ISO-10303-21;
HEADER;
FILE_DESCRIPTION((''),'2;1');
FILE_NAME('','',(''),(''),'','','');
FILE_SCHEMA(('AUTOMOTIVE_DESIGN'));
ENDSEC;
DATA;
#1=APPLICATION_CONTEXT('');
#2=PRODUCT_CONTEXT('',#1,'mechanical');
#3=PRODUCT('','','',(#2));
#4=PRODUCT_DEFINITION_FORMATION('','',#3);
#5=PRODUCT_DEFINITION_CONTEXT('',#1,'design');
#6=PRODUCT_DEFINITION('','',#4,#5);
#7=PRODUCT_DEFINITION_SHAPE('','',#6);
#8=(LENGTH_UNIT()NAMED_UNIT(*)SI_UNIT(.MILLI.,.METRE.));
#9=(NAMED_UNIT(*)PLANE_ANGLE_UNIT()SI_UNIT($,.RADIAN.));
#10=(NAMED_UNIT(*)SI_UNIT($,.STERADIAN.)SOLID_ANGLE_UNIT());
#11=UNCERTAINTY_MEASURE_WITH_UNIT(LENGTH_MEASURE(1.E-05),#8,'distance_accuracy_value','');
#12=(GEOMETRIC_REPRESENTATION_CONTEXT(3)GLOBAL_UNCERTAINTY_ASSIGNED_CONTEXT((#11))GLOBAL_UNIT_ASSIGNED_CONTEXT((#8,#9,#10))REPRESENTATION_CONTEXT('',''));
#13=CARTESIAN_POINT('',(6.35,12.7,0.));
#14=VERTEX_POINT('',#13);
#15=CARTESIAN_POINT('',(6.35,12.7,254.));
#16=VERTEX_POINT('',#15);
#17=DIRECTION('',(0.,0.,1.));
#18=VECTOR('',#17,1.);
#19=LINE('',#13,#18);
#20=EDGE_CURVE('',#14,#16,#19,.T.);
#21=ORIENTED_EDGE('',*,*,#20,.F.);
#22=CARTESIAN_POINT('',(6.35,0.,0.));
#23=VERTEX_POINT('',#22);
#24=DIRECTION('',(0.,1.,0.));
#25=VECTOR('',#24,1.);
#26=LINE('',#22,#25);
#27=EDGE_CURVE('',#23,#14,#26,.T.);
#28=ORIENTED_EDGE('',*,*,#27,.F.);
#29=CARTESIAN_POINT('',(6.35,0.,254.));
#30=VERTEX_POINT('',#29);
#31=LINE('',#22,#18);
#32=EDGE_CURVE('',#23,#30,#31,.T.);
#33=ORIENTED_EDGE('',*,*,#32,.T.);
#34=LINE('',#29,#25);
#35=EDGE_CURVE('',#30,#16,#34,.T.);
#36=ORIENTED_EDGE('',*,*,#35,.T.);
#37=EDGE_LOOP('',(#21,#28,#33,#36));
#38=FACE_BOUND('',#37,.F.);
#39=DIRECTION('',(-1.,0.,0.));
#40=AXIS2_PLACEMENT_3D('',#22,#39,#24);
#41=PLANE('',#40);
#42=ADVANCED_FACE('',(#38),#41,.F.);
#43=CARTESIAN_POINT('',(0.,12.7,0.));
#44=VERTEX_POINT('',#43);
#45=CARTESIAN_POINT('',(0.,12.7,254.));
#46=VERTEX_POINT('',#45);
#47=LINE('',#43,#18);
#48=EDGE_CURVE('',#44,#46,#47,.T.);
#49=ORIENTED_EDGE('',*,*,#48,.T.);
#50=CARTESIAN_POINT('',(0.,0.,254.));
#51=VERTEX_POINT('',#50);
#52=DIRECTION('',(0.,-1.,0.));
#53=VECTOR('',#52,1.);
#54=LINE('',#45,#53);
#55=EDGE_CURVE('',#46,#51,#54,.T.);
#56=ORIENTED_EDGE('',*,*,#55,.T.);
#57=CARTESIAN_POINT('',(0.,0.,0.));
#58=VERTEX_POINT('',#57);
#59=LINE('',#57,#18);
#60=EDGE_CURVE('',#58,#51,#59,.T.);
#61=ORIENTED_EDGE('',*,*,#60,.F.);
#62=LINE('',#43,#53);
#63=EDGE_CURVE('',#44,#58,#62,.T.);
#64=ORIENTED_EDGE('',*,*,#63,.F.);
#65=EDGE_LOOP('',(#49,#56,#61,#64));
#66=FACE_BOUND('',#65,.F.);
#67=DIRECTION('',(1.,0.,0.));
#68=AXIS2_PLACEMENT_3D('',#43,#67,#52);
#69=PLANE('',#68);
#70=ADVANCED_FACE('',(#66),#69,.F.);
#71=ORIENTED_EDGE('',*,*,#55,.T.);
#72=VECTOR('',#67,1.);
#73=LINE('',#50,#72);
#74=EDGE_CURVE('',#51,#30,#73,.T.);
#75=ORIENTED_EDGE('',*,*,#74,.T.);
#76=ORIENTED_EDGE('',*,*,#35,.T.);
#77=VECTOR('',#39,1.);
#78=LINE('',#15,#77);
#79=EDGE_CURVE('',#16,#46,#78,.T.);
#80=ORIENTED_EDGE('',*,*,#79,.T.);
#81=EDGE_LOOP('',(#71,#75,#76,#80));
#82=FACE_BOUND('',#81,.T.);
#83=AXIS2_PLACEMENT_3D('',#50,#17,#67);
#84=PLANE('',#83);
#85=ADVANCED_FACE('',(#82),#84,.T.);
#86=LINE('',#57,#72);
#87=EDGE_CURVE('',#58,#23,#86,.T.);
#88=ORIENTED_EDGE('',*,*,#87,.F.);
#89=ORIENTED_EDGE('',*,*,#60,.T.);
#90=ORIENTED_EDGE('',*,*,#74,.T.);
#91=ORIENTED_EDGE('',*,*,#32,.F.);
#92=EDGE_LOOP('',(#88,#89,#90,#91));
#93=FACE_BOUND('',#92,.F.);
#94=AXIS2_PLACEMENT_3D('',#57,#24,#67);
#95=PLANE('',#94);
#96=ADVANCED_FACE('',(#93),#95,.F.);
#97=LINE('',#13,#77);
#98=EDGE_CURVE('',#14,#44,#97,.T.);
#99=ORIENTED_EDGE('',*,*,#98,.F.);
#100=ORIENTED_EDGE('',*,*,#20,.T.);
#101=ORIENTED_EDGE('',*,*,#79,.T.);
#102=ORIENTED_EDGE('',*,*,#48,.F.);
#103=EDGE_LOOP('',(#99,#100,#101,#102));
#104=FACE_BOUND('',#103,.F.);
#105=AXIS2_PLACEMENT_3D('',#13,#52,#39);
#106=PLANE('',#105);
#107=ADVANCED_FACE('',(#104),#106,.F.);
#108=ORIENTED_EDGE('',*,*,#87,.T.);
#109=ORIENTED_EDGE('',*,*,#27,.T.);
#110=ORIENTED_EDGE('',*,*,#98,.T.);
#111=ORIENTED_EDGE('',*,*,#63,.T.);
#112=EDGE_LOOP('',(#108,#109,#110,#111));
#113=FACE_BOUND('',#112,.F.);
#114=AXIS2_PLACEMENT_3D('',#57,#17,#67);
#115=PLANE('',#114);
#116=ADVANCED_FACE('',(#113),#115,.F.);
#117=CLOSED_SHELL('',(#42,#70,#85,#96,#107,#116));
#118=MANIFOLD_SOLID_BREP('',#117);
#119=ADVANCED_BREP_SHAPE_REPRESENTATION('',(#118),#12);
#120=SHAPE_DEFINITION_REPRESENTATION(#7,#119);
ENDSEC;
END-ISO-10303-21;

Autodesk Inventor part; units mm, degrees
ref_plane "YZ Plane" through (0, 0, 0) normal (1, 0, 0) x (0, 1, 0)
ref_plane "XZ Plane" through (0, 0, 0) normal (0, 1, 0) x (-1, 0, 0)
ref_plane "XY Plane" through (0, 0, 0) normal (0, 0, 1) x (1, 0, 0)
sketch "Sketch1" plane through (0, 0, 0) normal (0, 0, 1) x (1, 0, 0)
  line L0 (0, 0) -> (6.35, 0)
  line L1 (6.35, 0) -> (6.35, 12.7)
  line L2 (6.35, 12.7) -> (0, 12.7)
  line L3 (0, 12.7) -> (0, 0)
  dimension "d0" = 6.35
  dimension "d1" = 12.7
extrude "Extrusion1" add sketch "Sketch1" along normal blind 254
properties part number "chutebracket"
